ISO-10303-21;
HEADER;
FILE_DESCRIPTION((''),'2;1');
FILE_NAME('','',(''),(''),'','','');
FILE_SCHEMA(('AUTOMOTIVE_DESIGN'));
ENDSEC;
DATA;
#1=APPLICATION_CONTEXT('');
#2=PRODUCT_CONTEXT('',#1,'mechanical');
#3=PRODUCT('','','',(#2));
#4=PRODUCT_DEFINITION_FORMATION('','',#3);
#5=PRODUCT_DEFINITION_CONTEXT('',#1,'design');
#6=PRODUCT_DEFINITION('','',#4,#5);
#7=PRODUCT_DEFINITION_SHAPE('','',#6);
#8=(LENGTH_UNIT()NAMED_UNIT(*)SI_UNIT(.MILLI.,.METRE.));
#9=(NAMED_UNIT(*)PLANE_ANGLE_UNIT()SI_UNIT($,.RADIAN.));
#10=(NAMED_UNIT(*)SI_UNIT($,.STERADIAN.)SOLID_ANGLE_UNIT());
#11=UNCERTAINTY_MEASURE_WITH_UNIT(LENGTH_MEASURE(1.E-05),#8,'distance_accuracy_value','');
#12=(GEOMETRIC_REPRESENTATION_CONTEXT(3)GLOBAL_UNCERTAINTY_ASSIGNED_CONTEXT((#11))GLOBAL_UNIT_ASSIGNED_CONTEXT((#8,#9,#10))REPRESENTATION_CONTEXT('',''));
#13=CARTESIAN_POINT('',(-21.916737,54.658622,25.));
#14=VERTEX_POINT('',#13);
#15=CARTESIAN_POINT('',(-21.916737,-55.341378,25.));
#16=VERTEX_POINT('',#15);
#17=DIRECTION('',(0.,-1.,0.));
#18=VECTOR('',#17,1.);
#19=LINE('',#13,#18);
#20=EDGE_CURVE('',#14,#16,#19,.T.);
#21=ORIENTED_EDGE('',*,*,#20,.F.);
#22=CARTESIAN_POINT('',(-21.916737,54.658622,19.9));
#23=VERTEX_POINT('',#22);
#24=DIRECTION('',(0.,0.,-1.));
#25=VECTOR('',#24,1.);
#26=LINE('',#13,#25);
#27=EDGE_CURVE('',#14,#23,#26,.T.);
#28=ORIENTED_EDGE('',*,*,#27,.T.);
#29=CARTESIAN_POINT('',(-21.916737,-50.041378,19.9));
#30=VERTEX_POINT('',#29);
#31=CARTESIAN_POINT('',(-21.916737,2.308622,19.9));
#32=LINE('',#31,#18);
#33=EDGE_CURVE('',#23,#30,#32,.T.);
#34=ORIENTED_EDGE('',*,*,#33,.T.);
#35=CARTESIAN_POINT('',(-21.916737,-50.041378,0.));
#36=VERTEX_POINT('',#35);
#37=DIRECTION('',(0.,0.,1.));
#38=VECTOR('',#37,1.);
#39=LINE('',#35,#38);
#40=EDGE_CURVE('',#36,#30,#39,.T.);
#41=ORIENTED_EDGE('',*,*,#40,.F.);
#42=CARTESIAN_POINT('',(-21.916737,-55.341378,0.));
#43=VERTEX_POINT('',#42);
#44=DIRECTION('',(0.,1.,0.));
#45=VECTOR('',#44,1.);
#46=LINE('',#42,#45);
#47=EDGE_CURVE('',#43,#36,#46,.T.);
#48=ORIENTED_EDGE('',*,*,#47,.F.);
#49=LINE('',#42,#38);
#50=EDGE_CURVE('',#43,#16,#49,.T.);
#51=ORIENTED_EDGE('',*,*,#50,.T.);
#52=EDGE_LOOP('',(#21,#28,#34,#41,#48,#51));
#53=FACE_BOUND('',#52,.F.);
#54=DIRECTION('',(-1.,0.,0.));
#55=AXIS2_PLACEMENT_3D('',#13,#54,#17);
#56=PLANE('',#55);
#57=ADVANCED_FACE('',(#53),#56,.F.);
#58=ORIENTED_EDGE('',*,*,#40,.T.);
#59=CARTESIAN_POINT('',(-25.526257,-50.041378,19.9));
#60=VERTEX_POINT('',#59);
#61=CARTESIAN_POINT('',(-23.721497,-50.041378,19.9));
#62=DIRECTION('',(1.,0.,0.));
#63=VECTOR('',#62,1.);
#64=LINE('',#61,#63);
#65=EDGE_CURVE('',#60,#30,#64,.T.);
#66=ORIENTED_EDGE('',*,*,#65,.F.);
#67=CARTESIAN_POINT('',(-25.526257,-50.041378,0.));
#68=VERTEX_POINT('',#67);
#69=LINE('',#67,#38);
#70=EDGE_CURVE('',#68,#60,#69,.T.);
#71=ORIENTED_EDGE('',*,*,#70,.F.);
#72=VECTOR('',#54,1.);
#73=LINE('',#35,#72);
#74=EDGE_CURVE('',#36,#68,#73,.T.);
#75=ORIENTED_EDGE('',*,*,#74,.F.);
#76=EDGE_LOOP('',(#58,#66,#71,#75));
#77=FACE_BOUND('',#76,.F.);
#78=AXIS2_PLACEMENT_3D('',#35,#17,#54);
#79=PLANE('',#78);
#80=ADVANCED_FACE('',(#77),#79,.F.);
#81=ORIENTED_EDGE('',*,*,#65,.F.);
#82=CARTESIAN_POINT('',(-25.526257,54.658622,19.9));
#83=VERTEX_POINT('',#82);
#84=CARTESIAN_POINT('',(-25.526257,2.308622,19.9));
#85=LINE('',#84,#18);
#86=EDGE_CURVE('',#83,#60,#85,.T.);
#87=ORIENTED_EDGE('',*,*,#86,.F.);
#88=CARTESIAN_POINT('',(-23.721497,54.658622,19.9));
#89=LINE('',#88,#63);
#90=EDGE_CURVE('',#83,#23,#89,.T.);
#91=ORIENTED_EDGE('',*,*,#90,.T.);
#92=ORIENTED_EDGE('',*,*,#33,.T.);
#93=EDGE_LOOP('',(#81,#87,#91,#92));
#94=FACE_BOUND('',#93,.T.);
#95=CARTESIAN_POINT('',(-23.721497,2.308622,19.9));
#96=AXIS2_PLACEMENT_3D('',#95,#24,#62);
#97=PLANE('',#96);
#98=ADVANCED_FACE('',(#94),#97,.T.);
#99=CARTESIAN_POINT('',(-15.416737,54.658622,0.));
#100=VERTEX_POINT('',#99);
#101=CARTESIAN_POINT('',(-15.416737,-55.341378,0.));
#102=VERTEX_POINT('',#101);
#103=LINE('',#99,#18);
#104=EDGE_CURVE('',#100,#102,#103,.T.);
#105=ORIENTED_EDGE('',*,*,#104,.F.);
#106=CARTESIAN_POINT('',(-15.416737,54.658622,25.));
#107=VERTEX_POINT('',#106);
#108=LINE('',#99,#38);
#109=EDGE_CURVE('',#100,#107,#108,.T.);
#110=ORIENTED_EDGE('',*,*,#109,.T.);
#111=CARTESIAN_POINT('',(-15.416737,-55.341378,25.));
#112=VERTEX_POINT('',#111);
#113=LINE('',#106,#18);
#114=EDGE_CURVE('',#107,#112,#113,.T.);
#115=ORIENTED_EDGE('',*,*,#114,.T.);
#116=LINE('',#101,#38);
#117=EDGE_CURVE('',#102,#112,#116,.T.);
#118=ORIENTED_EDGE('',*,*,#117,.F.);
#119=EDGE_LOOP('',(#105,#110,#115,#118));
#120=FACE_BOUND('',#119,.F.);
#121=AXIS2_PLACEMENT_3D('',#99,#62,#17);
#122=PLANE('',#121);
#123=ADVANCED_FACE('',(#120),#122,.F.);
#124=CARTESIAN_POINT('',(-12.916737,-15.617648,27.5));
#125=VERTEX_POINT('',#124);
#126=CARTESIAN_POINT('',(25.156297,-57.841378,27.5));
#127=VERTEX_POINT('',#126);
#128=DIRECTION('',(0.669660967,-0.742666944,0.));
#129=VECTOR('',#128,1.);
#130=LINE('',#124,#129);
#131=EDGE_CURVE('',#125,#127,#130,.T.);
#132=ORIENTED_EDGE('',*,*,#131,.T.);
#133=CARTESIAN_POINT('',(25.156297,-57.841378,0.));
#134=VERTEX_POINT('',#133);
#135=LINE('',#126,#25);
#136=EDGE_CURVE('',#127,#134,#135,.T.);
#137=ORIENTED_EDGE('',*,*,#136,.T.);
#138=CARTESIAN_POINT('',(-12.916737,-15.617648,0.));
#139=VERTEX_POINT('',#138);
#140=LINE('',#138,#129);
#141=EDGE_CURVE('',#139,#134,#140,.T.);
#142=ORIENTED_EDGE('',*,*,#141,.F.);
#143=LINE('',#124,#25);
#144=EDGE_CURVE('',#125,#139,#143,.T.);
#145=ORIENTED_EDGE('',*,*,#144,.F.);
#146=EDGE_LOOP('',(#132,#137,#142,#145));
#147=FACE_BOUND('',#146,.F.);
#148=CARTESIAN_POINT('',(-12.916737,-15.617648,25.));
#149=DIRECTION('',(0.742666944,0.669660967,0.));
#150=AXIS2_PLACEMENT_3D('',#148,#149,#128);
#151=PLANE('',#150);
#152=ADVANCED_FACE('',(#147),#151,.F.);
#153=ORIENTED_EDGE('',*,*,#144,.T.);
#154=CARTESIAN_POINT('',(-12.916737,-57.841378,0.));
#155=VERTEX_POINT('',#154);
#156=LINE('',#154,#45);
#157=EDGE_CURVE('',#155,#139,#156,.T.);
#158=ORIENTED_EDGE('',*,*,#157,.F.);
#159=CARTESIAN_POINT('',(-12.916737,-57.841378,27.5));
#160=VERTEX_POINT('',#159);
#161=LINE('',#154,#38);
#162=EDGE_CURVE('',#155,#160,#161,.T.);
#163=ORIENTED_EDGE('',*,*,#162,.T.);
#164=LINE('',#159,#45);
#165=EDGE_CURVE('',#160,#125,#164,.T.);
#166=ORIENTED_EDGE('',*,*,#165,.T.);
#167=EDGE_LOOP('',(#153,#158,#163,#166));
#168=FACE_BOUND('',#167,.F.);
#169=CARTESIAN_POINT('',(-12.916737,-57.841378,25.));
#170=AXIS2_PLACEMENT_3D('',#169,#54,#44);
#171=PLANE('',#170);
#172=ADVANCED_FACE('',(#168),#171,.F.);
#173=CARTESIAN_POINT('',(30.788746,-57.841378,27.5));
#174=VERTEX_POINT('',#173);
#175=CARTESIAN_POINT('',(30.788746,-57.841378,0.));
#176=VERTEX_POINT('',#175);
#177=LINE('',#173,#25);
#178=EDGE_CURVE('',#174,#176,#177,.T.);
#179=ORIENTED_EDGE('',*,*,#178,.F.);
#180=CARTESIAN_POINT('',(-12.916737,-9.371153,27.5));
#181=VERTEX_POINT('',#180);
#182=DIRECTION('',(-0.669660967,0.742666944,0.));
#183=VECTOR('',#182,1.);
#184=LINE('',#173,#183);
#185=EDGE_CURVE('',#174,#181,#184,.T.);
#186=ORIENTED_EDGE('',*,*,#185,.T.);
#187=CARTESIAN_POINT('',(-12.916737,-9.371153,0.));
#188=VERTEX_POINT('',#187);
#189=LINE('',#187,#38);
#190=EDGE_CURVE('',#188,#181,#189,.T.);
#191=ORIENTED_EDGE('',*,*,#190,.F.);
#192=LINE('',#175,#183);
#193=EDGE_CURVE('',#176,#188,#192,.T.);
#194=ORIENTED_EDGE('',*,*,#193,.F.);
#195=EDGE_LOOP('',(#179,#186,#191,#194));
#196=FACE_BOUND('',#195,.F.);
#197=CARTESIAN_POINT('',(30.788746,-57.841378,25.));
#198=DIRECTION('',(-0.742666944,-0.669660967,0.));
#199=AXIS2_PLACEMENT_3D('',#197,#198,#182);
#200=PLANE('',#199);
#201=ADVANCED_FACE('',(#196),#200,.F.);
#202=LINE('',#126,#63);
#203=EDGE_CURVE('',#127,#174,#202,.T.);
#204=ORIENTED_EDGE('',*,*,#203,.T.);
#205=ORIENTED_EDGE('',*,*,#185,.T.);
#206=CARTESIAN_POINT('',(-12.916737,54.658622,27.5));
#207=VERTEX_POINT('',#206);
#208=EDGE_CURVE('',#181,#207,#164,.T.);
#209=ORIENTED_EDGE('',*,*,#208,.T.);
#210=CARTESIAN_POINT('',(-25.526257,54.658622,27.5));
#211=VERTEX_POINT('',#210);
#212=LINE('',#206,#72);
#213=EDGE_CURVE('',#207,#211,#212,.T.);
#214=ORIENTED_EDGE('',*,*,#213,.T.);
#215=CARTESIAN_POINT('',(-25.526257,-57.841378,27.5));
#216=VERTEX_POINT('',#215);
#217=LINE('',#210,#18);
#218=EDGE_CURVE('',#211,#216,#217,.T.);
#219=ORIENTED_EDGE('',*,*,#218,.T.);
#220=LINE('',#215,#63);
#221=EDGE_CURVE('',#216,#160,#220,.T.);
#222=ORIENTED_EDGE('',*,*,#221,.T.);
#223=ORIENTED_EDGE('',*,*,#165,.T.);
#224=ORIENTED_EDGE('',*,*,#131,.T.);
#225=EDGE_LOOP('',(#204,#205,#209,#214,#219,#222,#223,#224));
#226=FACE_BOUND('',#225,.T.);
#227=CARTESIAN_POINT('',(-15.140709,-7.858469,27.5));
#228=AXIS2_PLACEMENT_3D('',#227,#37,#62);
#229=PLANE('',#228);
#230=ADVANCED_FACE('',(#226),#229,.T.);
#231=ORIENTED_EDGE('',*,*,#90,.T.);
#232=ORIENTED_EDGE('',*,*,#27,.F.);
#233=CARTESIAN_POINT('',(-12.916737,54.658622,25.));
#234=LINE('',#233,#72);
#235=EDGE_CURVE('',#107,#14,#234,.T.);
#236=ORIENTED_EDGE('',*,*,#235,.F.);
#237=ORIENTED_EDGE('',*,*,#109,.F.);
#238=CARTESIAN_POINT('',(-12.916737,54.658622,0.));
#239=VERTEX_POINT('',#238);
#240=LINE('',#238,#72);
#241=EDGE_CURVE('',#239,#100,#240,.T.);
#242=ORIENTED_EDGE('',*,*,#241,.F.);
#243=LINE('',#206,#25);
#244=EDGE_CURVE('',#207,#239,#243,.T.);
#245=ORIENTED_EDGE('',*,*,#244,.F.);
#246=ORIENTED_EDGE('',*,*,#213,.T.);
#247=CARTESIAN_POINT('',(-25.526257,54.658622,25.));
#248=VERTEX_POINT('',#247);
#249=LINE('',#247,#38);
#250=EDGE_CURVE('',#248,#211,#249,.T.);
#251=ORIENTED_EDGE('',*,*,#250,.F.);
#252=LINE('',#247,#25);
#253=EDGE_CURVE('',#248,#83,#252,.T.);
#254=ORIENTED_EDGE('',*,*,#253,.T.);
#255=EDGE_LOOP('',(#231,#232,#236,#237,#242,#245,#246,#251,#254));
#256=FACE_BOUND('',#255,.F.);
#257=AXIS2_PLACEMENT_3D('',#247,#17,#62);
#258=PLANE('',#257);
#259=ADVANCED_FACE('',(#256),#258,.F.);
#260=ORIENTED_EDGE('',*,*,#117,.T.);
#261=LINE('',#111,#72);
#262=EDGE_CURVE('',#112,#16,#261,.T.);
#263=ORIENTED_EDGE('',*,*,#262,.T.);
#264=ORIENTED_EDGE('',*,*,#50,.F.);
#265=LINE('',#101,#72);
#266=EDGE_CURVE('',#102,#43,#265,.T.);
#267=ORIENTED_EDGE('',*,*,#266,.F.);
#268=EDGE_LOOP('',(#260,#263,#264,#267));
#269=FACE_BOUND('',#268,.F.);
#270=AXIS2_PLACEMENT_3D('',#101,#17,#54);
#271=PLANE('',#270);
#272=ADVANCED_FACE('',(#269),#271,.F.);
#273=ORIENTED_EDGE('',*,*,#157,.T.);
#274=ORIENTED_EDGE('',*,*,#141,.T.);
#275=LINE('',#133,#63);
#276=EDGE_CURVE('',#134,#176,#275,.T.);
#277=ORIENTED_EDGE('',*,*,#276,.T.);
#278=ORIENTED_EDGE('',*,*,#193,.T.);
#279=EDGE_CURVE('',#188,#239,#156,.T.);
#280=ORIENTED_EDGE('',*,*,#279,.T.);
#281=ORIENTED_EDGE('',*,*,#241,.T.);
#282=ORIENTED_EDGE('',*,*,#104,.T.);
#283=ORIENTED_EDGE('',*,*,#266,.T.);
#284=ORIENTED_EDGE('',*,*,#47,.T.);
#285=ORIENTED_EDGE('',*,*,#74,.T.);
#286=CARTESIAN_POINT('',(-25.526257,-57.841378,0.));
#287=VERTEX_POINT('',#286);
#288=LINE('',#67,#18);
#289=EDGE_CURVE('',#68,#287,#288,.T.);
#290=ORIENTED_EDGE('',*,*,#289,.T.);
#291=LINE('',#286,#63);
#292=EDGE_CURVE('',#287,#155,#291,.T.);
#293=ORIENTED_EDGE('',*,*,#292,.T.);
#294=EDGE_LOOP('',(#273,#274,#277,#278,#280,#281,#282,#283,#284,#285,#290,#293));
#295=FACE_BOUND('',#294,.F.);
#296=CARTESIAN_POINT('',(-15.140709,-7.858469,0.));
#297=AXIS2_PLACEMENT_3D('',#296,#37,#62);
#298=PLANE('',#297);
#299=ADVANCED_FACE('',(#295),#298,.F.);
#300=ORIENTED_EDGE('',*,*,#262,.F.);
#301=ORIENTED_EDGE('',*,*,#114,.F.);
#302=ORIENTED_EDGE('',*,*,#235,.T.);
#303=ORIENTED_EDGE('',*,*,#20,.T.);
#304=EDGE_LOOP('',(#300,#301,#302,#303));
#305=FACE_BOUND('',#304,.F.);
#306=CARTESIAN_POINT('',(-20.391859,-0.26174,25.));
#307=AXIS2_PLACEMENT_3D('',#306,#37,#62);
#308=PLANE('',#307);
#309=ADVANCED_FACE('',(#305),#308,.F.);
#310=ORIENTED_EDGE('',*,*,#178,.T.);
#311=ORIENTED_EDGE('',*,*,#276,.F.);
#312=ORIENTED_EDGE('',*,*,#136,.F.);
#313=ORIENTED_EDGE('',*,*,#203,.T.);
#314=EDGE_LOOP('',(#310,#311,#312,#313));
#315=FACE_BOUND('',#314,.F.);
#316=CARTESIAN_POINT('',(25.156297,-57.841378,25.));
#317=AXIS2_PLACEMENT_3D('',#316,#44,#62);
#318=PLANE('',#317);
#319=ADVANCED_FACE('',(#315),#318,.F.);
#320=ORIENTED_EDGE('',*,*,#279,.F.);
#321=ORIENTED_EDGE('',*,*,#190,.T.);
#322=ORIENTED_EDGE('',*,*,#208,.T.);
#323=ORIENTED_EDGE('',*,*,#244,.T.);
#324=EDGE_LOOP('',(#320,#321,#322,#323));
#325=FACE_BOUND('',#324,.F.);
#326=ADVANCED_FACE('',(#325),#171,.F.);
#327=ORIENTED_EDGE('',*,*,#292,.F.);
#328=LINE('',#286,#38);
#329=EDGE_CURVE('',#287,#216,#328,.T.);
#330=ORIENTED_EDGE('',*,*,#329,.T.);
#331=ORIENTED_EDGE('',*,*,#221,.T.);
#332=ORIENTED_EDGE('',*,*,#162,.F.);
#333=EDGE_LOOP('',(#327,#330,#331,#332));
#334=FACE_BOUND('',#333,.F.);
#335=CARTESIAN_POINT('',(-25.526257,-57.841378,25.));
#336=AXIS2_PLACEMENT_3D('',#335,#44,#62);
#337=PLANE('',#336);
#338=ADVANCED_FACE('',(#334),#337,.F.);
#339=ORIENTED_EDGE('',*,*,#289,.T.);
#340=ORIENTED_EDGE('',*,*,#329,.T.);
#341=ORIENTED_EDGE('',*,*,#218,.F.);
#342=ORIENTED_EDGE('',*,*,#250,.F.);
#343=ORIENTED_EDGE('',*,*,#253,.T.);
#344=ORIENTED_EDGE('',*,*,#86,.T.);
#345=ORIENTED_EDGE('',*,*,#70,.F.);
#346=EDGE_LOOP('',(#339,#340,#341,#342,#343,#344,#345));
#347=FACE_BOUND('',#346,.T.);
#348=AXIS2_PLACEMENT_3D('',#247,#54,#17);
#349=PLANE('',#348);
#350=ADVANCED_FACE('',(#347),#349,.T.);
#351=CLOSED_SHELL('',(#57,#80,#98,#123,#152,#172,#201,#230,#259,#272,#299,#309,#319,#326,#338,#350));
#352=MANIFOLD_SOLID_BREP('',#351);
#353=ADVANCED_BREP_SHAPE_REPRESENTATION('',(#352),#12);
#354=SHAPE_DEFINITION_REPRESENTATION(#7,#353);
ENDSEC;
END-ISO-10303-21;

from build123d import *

# Parameters (mm, degrees)
F1_DEPTH = 25
F3_DEPTH = 2.5
F4_W     = 3.6095191927
F4_H     = 104.7
F5_DEPTH = 5.1
F6_DEPTH = 2.5


with BuildPart() as f1:
    # F0 (on Top) → F1 (new body)
    with BuildSketch(Plane.XY):
        Polygon((-21.9167374188, -55.3413778543), (-21.9167374188, -50.0413778543), (-25.5262566115, -50.0413778543), (-25.5262566115, -57.8413778543), (-12.9167374188, -57.8413778543), (-12.9167374188, -15.6176477188), (-12.9167374188, -9.371153079), (-12.9167374188, 34.286143216), (-12.9167374188, 54.6586221457), (-15.4167374188, 54.6586221457), (-15.4167374188, -55.3413778543), (-21.4532855898, -55.3413778543), align=None)
        Polygon((-12.9167374188, -9.371153079), (-12.9167374188, -15.6176477188), (25.1562967896, -57.8413778543), (30.7887457311, -57.8413778543), align=None)
    extrude(amount=F1_DEPTH)

    # F2 (on face) → F3 (join)
    with BuildSketch(Plane.XY.offset(25)):
        Polygon((-15.4167374188, -55.3413778543), (-15.4167374188, 54.6586221457), (-25.5262566115, 54.6586221457), (-25.5262566115, -50.0413778543), (-21.9167374188, -50.0413778543), (-21.9167374188, -55.3413778543), align=None)
        Polygon((-12.9167374188, -9.371153079), (-12.9167374188, 54.6586221457), (-15.4167374188, 54.6586221457), (-15.4167374188, -55.3413778543), (-21.9167374188, -55.3413778543), (-21.9167374188, -50.0413778543), (-25.5262566115, -50.0413778543), (-25.5262566115, -57.8413778543), (-12.9167374188, -57.8413778543), (-12.9167374188, -15.6176477188), align=None)
    extrude(amount=F3_DEPTH)

    # F4 (on face) → F5 (join)
    with BuildSketch(Plane(origin=(0, 0, 25), x_dir=(1, 0, 0), z_dir=(0, 0, -1))):
        with Locations((-23.7214970151, -2.3086221457)):
            Rectangle(F4_W, F4_H)
    extrude(amount=F5_DEPTH)

    # F6 (add, through all): a face of the model
    f6_faces = [f1.faces().sort_by_distance(p)[0] for p in [
        (7.5602195643, -35.1320371457, 25),
    ]]
    extrude(f6_faces, amount=F6_DEPTH)


solid = f1.part
